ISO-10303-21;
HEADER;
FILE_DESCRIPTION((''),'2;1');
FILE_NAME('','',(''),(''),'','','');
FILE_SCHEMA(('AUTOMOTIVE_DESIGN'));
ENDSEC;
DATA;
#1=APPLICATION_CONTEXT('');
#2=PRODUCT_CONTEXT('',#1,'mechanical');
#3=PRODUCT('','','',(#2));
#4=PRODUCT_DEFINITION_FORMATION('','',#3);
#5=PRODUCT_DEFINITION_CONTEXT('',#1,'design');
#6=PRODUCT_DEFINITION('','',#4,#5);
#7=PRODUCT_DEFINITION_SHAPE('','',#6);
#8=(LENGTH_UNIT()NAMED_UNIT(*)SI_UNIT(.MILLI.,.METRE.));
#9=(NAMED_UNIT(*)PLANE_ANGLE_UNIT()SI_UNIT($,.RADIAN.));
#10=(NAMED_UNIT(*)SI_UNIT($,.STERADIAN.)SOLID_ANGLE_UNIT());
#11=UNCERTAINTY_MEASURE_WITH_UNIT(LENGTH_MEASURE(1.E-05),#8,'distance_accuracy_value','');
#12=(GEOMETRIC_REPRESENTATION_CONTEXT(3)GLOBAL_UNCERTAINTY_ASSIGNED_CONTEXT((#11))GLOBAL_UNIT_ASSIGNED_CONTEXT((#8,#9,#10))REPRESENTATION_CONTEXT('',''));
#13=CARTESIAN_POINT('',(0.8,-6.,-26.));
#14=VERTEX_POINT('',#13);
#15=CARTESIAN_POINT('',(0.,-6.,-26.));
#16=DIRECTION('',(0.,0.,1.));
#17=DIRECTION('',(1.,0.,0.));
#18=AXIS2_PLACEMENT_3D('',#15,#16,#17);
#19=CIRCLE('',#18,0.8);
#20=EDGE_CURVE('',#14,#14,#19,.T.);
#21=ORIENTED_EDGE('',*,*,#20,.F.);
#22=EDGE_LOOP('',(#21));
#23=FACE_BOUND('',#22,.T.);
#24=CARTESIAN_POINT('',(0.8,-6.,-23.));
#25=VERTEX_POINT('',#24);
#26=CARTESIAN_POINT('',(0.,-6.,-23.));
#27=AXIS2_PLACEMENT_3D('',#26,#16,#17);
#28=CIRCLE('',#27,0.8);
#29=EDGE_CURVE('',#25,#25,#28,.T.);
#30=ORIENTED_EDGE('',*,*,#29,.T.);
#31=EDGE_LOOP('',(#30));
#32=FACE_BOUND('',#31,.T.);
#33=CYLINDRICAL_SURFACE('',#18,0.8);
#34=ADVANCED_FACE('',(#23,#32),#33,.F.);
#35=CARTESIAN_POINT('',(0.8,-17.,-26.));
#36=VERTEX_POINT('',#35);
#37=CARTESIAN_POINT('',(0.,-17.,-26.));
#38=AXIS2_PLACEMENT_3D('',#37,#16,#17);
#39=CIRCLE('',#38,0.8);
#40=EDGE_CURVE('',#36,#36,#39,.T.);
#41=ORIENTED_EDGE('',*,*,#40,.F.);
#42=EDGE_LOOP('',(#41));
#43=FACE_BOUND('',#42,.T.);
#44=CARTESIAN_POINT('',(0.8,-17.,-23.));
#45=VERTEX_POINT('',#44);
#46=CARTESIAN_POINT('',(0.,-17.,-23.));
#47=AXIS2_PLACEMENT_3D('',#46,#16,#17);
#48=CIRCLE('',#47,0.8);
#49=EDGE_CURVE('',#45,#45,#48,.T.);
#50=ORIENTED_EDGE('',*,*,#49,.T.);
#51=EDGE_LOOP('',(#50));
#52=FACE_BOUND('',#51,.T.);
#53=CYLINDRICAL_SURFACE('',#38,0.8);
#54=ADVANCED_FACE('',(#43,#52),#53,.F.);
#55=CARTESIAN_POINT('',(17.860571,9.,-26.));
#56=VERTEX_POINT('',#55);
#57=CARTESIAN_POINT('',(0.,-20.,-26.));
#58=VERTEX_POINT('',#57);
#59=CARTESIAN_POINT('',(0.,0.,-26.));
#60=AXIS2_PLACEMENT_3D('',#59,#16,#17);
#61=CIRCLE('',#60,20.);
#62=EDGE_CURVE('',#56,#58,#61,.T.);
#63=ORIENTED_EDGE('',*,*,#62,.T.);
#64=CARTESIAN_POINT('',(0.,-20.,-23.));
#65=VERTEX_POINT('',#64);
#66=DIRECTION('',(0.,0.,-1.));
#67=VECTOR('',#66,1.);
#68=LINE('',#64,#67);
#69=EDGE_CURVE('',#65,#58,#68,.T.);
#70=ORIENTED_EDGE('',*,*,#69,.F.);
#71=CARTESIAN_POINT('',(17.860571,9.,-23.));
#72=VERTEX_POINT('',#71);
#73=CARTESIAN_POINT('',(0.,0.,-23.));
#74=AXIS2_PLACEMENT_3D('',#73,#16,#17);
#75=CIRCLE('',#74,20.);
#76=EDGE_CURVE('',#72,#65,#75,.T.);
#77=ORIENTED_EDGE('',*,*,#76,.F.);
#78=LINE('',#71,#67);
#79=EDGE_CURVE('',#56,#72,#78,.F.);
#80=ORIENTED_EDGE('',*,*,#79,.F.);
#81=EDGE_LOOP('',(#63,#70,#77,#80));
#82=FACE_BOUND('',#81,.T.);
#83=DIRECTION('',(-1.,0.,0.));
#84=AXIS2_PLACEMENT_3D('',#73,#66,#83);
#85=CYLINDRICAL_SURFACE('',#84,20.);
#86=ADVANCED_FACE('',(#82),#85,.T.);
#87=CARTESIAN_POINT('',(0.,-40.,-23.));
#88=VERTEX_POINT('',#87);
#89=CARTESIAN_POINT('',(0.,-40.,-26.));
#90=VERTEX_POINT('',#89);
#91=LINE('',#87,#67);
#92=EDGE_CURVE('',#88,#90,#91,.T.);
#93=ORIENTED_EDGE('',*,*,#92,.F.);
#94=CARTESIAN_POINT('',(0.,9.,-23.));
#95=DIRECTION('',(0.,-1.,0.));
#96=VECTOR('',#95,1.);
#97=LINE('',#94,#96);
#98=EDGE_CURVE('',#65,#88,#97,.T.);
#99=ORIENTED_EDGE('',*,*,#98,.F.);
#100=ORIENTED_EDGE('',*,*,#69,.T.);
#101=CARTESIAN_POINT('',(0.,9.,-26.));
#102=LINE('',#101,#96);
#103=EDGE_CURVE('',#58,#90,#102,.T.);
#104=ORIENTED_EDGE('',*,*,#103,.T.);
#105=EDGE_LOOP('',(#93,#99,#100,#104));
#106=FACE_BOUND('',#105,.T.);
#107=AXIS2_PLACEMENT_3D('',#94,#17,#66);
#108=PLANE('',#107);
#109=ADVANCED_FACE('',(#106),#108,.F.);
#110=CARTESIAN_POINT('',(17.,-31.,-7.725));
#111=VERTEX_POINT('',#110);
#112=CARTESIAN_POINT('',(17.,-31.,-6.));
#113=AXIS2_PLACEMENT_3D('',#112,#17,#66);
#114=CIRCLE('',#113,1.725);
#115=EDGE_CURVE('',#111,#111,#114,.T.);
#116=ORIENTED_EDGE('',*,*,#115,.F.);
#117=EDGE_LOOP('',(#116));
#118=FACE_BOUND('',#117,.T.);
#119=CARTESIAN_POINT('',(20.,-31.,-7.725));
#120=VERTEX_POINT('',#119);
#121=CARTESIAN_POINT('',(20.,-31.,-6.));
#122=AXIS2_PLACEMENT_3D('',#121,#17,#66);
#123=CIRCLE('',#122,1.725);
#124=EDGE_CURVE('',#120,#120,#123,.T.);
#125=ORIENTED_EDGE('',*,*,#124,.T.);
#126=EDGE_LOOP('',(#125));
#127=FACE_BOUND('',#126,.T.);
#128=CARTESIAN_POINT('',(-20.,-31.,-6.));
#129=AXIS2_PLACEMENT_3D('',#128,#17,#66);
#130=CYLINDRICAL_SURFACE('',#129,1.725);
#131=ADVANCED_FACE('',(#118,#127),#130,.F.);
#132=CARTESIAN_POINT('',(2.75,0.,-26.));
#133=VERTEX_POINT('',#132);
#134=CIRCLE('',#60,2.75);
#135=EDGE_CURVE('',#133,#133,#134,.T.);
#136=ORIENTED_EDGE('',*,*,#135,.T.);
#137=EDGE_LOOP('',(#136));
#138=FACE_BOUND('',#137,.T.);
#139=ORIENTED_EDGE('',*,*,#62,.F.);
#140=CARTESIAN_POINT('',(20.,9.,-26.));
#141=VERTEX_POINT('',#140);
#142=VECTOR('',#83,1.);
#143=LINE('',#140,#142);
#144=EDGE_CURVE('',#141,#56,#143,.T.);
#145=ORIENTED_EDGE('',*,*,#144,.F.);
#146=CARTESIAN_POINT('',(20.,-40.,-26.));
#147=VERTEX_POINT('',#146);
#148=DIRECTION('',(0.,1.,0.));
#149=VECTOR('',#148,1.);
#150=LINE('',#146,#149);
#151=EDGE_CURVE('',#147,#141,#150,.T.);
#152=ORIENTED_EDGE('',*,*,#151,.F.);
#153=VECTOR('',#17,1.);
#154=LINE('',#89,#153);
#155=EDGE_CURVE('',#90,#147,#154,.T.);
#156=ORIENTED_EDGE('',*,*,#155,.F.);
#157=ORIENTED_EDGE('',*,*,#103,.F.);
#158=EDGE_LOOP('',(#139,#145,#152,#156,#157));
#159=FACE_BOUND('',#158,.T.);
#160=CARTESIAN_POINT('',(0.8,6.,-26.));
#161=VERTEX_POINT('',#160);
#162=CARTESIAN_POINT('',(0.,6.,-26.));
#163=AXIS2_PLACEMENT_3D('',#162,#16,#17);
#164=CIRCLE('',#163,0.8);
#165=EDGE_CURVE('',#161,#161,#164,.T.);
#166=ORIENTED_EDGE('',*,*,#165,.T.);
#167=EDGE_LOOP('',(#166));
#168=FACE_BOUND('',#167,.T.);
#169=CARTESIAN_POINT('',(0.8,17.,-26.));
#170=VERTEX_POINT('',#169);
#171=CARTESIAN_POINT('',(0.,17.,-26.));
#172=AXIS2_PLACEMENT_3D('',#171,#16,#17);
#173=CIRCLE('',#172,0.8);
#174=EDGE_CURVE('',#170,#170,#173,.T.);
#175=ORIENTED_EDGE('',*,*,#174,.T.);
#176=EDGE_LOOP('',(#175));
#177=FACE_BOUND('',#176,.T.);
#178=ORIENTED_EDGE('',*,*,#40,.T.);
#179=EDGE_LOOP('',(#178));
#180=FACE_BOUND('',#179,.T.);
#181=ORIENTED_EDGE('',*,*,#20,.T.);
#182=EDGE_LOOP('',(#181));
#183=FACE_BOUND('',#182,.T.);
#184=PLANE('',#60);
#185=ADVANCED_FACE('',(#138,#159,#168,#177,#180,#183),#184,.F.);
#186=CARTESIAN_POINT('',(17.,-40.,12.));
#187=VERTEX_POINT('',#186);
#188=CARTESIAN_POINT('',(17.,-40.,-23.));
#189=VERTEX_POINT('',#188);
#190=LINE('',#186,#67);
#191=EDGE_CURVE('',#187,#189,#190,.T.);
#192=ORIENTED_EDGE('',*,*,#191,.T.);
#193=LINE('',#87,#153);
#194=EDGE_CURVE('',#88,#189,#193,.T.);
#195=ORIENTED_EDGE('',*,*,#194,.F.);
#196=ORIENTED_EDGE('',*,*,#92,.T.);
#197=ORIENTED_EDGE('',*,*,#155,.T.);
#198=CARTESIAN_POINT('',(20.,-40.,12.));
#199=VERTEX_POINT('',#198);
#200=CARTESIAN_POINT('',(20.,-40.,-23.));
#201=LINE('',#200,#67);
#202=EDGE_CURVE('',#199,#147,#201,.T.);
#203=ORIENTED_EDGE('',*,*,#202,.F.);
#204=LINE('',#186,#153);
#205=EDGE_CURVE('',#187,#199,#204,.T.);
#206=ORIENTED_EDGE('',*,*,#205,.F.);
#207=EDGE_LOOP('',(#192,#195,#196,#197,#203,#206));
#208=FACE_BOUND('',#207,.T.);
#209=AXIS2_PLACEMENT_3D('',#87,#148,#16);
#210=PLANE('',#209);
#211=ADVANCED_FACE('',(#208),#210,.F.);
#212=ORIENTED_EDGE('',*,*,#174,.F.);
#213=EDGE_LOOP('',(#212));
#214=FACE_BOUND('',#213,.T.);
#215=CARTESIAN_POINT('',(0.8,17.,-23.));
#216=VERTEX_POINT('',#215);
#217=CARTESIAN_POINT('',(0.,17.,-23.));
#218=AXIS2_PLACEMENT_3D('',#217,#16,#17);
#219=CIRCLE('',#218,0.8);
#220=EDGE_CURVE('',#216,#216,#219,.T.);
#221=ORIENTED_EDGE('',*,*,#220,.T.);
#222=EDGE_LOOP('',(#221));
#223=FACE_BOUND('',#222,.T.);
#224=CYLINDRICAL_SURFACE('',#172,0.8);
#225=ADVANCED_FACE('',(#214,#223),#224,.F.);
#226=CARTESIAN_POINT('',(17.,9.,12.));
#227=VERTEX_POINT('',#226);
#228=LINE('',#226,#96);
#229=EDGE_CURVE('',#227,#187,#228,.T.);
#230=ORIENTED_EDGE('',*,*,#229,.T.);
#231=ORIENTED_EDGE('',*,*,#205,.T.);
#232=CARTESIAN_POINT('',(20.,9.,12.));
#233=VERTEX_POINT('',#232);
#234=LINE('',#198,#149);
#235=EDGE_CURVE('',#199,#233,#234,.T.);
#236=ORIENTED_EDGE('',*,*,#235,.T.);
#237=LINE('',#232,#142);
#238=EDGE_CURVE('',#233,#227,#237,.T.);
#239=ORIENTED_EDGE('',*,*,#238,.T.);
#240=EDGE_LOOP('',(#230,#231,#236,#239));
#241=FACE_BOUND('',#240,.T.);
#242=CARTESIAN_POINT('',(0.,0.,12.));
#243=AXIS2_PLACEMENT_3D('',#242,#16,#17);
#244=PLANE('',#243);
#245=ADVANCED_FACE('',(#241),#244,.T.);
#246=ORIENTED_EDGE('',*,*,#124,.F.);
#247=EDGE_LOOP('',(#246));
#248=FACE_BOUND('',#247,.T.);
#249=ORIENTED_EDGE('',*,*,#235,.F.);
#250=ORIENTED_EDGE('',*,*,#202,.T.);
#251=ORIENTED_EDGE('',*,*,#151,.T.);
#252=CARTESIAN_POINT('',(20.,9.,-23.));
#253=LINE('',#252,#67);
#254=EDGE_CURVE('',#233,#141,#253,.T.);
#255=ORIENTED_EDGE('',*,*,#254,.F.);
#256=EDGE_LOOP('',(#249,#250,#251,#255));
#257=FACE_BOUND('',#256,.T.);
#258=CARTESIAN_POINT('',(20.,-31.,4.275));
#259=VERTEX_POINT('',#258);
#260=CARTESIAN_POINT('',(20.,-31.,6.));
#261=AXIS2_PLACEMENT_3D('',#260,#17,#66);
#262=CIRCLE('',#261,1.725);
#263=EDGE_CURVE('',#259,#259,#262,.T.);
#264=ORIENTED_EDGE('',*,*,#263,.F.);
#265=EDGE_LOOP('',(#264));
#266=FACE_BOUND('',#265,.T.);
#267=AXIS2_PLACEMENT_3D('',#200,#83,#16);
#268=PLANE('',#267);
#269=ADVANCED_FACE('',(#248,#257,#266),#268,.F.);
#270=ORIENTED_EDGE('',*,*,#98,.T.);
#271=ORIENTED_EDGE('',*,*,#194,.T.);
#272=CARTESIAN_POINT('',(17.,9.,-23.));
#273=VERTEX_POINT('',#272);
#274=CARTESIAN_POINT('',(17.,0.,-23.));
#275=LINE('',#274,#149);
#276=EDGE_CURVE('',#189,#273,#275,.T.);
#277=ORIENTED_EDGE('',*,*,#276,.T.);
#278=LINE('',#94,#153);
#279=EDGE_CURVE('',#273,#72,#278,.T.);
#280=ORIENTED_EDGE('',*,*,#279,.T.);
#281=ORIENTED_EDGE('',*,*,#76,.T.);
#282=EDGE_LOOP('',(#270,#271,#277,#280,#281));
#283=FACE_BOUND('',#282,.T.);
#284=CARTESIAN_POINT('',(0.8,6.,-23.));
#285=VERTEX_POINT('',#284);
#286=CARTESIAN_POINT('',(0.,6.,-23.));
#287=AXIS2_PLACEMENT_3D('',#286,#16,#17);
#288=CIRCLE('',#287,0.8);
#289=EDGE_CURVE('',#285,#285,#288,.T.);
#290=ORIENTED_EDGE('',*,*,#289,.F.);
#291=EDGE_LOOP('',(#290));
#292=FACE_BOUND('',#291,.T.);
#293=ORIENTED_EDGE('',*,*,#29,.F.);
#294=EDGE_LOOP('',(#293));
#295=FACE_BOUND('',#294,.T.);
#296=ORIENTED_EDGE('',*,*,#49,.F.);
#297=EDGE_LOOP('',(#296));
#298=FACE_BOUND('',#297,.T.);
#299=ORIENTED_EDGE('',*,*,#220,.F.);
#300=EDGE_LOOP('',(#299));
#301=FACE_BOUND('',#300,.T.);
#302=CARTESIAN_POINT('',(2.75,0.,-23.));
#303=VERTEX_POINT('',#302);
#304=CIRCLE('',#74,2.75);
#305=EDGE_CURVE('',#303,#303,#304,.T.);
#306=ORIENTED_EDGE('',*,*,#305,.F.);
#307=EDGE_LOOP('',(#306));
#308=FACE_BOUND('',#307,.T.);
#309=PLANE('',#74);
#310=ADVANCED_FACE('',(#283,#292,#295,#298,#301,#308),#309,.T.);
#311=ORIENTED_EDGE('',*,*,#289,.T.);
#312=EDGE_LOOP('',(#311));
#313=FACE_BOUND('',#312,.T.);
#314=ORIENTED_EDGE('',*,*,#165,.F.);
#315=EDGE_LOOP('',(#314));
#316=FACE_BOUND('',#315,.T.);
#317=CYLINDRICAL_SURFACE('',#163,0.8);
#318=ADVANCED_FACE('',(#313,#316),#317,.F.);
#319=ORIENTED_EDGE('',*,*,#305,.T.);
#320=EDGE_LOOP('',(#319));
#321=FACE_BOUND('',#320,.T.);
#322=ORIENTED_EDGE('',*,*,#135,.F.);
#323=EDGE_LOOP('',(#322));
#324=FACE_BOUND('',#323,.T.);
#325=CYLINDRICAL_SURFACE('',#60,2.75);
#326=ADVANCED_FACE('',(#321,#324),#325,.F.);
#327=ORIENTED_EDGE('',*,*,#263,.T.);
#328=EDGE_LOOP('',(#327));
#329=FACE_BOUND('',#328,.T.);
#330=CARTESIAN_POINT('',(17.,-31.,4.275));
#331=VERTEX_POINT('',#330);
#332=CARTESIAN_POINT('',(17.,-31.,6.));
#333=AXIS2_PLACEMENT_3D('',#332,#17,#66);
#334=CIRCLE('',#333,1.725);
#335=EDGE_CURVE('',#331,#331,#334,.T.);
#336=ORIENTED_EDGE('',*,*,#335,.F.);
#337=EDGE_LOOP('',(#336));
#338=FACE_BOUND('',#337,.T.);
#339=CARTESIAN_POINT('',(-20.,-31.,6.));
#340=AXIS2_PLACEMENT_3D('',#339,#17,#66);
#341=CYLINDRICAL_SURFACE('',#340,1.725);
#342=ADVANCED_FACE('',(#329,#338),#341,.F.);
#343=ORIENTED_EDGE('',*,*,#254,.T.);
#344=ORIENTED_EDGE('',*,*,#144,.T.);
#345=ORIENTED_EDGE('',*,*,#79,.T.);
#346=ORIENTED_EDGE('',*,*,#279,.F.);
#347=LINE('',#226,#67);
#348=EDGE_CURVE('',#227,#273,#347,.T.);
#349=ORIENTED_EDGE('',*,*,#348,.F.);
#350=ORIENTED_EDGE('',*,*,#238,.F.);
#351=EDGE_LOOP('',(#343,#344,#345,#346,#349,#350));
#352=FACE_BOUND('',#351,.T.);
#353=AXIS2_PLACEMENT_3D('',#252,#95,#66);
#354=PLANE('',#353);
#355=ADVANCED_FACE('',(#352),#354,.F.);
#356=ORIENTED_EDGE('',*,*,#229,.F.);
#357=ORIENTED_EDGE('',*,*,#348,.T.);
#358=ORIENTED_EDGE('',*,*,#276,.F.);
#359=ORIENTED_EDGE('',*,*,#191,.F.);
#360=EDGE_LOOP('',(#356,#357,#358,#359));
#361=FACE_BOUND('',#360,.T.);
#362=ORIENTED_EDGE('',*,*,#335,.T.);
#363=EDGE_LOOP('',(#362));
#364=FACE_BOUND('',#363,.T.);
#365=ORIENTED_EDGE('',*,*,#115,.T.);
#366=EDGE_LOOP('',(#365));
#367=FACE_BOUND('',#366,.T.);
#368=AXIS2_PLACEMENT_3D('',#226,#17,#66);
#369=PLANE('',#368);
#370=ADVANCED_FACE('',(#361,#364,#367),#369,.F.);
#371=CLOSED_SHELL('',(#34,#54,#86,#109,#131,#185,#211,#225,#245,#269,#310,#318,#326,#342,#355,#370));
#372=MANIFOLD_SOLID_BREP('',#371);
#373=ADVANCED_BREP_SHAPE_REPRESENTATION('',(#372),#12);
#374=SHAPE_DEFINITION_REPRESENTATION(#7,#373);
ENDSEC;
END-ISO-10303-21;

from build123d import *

# Parameters (mm, degrees)
BOSS_EXTRUDE1_START     = -26
SKETCH1_R               = 20
BOSS_EXTRUDE1_DEPTH     = 3
BOSS_EXTRUDE2_START     = -26
SKETCH2_W               = 20
SKETCH2_H               = 49
BOSS_EXTRUDE2_DEPTH     = 3
BOSS_EXTRUDE3_START     = -26
SKETCH3_W               = 3
SKETCH3_H               = 49
BOSS_EXTRUDE3_DEPTH     = 38
CUT_EXTRUDE1_DEPTH      = 52.730068626
CUT_EXTRUDE1_DEPTH_BACK = 52.730068626
SKETCH4_R               = 2.75
SKETCH4_R_2             = 0.8
CUT_EXTRUDE2_DEPTH      = 52.730068626
CUT_EXTRUDE2_DEPTH_BACK = 52.730068626
SKETCH5_R               = 1.725


with BuildPart() as part:
    # Sketch1 → Boss-Extrude1 (new body)
    with BuildSketch(Plane.XY.offset(BOSS_EXTRUDE1_START)):
        Circle(SKETCH1_R)
    extrude(amount=BOSS_EXTRUDE1_DEPTH)

    # Sketch2 → Boss-Extrude2 (add)
    with BuildSketch(Plane.XY.offset(BOSS_EXTRUDE2_START)):
        with Locations((10, -15.5)):
            Rectangle(SKETCH2_W, SKETCH2_H)
    extrude(amount=BOSS_EXTRUDE2_DEPTH)

    # Sketch3 → Boss-Extrude3 (add)
    with BuildSketch(Plane.XY.offset(BOSS_EXTRUDE3_START)):
        with Locations((18.5, -15.5)):
            Rectangle(SKETCH3_W, SKETCH3_H)
    extrude(amount=BOSS_EXTRUDE3_DEPTH)

    # Sketch4 → Cut-Extrude1 (cut, two sides: drawn at the far end of the back side and taken through both)
    with BuildSketch(Plane.XY.offset(-CUT_EXTRUDE1_DEPTH_BACK)):
        Circle(SKETCH4_R)
        with Locations((0, 6)):
            Circle(SKETCH4_R_2)
        with Locations((0, -6)):
            Circle(SKETCH4_R_2)
        with Locations((0, 17)):
            Circle(SKETCH4_R_2)
        with Locations((0, -17)):
            Circle(SKETCH4_R_2)
    extrude(amount=CUT_EXTRUDE1_DEPTH + CUT_EXTRUDE1_DEPTH_BACK, mode=Mode.SUBTRACT)

    # Sketch5 → Cut-Extrude2 (cut, two sides: drawn at the far end of the back side and taken through both)
    with BuildSketch(Plane(origin=(0, 0, 0), x_dir=(0, 0, -1), z_dir=(1, 0, 0)).offset(-CUT_EXTRUDE2_DEPTH_BACK)):
        with Locations((-6, -31)):
            Circle(SKETCH5_R)
        with Locations((6, -31)):
            Circle(SKETCH5_R)
    extrude(amount=CUT_EXTRUDE2_DEPTH + CUT_EXTRUDE2_DEPTH_BACK, mode=Mode.SUBTRACT)


solid = part.part
